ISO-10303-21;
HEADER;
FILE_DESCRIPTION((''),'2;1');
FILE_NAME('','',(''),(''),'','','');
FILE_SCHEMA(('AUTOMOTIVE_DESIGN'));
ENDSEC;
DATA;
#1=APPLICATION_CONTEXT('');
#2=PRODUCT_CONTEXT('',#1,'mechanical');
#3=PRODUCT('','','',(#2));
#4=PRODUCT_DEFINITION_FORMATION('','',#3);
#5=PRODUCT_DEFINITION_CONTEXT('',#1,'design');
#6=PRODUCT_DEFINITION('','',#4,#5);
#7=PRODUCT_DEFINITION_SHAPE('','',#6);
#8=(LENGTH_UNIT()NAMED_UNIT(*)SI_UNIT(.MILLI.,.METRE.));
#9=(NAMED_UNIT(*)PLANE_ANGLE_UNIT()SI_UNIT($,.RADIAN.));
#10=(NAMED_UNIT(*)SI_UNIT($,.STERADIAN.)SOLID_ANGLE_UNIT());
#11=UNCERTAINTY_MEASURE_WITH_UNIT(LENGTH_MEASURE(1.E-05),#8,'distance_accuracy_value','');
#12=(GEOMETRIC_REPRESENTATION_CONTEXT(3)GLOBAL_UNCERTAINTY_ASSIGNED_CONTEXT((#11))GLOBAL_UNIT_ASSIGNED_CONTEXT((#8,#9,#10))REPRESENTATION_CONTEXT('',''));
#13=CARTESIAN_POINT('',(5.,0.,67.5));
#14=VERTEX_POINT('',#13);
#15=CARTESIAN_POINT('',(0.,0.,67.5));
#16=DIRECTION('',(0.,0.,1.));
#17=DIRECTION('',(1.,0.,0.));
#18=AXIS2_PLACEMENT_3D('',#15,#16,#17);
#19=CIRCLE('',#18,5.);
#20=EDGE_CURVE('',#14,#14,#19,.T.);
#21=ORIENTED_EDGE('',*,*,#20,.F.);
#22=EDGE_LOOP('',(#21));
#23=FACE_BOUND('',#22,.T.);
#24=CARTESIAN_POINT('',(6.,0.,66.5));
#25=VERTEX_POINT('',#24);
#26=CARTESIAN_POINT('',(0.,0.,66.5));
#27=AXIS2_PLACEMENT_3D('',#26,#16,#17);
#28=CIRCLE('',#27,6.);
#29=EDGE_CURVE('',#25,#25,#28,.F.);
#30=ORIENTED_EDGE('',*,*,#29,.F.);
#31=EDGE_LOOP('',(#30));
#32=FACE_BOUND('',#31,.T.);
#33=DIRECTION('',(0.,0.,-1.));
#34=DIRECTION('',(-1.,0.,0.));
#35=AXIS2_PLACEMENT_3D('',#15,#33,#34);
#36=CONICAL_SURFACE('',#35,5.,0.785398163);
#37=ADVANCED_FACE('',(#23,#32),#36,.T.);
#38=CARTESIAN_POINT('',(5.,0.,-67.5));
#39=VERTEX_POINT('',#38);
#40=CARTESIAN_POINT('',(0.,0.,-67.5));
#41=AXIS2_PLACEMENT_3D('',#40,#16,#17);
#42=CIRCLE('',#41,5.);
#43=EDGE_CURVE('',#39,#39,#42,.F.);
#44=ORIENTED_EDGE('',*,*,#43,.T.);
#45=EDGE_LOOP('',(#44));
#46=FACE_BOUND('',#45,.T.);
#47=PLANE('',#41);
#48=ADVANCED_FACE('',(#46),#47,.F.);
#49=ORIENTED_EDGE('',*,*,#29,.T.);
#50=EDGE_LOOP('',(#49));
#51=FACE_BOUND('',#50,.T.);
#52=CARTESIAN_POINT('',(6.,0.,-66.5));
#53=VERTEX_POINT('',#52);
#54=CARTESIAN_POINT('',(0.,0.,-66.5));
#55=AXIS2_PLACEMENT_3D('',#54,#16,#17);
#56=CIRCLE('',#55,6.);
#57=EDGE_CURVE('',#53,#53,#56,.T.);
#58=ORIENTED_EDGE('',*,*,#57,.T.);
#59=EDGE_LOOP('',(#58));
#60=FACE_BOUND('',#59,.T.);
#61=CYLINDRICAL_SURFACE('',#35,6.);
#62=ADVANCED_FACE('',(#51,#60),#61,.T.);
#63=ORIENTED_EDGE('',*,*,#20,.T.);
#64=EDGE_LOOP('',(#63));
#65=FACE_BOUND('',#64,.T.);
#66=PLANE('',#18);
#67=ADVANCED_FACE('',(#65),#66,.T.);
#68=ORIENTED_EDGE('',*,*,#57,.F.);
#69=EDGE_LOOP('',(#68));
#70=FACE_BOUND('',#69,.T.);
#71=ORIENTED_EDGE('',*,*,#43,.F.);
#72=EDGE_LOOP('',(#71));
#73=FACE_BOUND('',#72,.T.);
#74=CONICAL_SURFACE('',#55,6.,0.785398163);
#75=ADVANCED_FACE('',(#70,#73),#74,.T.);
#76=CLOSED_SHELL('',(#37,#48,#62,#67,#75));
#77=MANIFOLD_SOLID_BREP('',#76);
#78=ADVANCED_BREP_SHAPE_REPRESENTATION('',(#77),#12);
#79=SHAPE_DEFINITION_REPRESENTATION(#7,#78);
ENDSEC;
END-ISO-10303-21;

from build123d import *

# Parameters (mm, degrees)
SKETCH_3_R      = 6
EXTRUDE_1_DEPTH = 67.5
CHAMFER_1_SIZE  = 1


with BuildPart() as part:
    # Эскиз3 → Бобышка-Вытянуть1 (new, symmetric)
    with BuildSketch(Plane.XY):
        Circle(SKETCH_3_R)
    extrude(amount=EXTRUDE_1_DEPTH, both=True)

    # Фаска1
    chamfer_1_edges = [part.edges().sort_by_distance(p)[0] for p in [
        (-6, 0, -67.5),
        (-6, 0, 67.5),
    ]]
    chamfer(chamfer_1_edges, length=CHAMFER_1_SIZE)


solid = part.part
